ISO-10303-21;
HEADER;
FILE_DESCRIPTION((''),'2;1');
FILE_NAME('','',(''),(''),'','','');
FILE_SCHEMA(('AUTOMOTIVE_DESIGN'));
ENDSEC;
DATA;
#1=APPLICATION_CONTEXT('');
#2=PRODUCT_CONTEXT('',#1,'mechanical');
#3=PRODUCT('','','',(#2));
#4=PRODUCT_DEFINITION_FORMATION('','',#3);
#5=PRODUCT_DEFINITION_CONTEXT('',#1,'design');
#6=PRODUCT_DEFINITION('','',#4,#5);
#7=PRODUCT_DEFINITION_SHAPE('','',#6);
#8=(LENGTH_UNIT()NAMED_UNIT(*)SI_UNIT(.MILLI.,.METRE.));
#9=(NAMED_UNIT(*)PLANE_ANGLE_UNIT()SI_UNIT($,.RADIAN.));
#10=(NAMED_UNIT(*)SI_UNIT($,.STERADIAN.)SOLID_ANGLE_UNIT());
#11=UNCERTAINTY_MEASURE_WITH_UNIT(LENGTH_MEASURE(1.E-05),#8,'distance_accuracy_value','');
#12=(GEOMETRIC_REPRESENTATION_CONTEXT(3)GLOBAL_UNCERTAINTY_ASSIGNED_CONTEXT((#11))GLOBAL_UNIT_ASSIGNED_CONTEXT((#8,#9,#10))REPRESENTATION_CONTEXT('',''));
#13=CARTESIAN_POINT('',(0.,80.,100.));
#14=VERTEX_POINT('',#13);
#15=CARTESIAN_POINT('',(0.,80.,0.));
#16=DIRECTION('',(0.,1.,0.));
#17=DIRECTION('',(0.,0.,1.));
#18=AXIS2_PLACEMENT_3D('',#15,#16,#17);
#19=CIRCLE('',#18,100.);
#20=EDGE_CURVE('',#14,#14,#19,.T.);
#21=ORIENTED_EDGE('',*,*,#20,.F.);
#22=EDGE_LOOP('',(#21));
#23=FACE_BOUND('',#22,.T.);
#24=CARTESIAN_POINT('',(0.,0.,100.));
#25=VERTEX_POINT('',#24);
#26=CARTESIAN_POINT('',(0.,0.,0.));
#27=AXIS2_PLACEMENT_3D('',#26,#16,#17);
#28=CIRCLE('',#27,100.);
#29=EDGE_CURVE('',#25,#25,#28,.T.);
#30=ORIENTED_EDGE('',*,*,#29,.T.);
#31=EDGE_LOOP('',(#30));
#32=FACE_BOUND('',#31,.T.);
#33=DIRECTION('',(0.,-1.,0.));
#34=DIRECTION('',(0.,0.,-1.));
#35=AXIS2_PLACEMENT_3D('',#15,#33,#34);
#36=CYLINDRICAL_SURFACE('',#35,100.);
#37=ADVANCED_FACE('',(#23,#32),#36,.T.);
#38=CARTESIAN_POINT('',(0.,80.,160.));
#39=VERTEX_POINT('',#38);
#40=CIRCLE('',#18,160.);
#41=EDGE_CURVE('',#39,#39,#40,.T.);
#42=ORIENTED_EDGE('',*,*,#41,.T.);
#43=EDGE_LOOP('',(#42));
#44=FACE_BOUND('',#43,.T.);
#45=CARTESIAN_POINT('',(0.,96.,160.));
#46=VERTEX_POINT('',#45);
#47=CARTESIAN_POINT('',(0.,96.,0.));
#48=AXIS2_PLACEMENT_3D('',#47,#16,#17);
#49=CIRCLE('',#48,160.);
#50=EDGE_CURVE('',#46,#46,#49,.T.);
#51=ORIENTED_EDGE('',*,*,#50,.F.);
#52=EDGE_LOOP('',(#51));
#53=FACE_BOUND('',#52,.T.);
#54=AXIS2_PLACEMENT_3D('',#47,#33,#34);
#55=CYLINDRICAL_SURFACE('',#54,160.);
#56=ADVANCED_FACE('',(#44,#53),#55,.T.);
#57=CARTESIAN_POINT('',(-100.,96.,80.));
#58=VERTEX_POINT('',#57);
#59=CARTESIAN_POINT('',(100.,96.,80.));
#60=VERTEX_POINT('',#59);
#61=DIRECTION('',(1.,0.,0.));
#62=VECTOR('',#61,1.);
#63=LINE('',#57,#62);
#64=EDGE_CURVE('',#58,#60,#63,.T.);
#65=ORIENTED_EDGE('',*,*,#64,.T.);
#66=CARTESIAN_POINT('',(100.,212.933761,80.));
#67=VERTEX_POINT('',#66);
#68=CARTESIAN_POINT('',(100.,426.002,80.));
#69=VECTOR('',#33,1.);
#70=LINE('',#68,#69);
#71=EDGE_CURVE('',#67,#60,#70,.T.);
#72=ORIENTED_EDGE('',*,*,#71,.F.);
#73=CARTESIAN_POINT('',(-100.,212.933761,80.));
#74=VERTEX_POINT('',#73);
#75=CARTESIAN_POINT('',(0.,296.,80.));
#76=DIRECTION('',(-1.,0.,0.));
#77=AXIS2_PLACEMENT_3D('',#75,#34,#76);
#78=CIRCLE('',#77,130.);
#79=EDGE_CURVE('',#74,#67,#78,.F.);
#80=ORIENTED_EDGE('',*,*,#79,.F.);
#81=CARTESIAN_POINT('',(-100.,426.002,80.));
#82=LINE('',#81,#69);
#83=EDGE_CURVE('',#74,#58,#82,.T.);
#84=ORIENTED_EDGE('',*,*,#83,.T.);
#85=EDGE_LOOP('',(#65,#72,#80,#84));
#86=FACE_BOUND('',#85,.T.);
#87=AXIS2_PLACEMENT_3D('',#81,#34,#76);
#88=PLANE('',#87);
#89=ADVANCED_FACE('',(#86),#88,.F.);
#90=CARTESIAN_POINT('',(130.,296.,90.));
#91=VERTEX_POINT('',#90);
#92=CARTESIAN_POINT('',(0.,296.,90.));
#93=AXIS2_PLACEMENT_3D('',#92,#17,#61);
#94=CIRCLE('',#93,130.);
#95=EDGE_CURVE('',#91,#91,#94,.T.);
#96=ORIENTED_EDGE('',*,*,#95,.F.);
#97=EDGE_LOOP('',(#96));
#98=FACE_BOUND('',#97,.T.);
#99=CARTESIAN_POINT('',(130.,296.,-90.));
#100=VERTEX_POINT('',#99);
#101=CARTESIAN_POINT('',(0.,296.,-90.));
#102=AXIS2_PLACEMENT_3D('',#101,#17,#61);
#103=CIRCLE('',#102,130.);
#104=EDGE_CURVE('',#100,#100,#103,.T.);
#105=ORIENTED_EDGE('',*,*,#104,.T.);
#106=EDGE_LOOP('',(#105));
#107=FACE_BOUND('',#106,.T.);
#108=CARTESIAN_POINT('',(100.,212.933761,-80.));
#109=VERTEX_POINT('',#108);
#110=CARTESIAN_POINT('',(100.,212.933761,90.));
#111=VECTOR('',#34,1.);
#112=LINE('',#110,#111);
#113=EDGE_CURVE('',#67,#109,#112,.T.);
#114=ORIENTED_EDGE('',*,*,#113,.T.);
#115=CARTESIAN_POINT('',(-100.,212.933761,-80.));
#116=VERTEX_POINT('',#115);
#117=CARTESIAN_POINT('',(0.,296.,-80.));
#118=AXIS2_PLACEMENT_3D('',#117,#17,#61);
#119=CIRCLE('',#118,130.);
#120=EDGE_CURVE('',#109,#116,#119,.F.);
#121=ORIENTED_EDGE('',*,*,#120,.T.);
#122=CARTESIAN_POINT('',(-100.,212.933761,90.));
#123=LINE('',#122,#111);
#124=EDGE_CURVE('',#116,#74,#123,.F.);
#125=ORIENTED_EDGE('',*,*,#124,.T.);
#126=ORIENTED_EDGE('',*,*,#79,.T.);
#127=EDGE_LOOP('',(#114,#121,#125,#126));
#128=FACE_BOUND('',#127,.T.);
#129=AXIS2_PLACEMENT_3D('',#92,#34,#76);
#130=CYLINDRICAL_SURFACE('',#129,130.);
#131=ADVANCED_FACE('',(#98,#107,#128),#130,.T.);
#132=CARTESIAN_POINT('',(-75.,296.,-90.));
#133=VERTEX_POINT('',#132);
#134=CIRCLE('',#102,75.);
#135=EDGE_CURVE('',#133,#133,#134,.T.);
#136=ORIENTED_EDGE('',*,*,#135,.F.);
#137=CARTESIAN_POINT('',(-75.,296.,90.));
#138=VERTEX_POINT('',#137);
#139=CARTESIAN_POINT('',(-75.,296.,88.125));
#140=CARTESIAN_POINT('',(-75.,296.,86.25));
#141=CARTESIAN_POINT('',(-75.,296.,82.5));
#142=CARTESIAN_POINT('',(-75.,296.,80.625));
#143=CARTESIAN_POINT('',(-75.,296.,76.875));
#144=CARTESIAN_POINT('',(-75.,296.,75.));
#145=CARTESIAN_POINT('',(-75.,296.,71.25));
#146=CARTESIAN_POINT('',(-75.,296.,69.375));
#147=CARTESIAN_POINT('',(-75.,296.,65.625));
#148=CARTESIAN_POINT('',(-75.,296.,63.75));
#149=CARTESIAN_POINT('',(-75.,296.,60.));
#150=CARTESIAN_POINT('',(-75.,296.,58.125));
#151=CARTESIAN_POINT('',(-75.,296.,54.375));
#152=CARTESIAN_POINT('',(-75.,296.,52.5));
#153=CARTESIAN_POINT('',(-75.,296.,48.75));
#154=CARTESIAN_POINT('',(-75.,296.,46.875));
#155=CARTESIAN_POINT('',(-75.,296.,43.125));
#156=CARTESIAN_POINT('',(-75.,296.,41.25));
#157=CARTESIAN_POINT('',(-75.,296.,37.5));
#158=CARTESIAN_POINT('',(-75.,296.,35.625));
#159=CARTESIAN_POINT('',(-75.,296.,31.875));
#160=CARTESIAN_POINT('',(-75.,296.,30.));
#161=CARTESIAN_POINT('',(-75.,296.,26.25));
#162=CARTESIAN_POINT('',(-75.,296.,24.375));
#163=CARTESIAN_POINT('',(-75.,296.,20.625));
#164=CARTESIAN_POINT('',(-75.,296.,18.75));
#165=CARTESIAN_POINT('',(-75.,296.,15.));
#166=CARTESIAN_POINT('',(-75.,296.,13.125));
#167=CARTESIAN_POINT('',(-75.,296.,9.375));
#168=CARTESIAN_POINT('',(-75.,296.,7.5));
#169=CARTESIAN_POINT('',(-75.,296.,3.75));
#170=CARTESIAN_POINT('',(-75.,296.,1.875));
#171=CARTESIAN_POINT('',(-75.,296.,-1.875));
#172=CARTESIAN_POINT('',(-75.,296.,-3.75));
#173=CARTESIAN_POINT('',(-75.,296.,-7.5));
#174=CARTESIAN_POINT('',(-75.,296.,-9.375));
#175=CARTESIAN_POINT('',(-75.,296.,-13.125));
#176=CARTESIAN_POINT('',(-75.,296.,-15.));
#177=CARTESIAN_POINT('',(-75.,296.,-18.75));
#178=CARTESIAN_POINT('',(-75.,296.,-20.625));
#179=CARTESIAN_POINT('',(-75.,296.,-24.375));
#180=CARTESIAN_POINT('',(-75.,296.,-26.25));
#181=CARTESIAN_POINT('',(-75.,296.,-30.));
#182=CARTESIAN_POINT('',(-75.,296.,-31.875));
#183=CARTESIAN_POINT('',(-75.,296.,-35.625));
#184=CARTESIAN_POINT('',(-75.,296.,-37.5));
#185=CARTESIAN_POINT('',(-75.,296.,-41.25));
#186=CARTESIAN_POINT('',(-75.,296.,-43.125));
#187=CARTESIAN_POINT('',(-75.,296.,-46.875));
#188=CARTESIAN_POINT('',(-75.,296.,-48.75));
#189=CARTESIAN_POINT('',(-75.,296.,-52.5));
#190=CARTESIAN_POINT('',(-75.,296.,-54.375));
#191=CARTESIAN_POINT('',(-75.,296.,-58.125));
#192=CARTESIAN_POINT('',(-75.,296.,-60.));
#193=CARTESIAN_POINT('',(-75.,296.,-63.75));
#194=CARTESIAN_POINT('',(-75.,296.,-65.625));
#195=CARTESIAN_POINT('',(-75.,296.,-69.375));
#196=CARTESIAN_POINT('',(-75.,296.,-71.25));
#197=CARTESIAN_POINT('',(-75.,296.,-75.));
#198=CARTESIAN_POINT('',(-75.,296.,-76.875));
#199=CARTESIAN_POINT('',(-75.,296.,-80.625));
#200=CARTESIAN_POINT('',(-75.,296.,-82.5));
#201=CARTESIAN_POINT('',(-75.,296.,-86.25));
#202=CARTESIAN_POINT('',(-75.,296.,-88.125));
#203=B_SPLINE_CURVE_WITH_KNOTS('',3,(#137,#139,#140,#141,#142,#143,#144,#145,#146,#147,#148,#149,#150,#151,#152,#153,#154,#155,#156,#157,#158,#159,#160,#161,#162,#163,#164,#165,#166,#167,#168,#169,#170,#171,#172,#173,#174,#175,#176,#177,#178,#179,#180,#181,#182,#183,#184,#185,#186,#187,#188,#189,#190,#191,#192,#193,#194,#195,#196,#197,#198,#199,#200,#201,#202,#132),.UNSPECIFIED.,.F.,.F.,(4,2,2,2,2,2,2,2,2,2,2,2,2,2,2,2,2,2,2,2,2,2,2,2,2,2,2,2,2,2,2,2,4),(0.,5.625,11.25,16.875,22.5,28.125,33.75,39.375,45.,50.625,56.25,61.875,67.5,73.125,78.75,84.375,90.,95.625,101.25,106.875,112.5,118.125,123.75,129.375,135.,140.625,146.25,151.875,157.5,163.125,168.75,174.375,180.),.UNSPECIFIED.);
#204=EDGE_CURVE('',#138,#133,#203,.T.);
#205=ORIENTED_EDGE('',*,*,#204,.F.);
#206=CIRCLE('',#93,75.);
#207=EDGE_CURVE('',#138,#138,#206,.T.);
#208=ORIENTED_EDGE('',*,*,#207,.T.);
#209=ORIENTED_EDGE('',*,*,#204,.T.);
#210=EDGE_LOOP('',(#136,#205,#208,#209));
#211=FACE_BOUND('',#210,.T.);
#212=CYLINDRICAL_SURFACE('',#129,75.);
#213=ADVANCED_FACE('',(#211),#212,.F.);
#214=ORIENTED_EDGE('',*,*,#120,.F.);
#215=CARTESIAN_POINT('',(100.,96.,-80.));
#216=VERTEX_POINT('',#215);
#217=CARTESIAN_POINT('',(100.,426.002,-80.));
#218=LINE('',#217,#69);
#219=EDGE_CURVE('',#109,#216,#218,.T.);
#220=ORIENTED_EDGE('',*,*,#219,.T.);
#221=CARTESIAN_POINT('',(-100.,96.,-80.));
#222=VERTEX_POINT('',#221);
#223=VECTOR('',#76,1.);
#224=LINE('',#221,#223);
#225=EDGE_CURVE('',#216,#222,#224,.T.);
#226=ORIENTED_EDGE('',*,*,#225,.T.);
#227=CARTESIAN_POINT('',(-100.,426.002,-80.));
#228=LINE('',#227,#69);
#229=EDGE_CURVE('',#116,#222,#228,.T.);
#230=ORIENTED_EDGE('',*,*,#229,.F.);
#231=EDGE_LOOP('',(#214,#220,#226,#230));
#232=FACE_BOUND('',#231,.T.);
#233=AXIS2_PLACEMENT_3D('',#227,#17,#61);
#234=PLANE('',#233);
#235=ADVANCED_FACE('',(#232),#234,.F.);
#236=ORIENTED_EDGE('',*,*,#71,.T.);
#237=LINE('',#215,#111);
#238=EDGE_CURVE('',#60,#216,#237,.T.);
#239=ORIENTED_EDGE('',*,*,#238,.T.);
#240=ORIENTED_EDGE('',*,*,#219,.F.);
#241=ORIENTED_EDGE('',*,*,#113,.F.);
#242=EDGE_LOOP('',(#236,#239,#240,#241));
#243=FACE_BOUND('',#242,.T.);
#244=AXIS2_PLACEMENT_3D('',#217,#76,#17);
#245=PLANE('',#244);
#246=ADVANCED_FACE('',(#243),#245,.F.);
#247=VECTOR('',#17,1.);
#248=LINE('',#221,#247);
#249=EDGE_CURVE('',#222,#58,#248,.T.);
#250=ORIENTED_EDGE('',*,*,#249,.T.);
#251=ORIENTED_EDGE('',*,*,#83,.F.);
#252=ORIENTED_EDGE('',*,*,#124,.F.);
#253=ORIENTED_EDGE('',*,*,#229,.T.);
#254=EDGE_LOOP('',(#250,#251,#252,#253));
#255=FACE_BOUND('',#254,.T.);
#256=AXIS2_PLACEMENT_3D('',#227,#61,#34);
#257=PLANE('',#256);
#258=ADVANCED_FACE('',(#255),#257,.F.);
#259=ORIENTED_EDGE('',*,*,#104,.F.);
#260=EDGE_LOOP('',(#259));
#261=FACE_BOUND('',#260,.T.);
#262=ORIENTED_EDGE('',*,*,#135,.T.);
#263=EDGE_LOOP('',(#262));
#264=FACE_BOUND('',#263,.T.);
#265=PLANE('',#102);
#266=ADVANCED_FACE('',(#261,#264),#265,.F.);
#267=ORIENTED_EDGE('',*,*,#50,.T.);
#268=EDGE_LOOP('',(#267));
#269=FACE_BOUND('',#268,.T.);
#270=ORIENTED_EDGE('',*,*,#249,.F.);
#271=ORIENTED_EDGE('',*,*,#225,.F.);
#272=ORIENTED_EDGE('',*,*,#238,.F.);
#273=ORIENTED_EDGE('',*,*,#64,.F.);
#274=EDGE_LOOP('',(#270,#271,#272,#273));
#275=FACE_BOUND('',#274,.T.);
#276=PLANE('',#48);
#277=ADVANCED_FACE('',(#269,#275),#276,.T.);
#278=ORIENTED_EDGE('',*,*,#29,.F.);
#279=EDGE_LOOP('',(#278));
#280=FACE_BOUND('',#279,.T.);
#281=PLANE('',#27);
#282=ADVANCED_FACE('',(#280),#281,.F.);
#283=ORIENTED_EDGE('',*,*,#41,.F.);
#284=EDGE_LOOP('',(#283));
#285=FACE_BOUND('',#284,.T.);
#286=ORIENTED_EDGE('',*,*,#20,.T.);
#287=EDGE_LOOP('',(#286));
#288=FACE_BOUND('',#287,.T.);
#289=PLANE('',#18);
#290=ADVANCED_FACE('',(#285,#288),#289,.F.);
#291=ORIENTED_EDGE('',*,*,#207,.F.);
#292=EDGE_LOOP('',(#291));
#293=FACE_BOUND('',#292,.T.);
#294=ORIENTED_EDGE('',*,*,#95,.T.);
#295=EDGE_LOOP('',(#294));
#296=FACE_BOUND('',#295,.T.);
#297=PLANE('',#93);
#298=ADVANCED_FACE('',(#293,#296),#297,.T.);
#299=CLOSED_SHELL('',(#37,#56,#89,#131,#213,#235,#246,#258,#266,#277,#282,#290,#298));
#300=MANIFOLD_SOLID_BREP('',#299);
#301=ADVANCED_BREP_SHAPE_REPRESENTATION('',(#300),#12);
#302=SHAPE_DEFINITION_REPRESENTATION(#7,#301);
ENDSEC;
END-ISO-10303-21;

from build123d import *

# Parameters (mm, degrees)
SKETCH1_R                = 100
BOSS_EXTRUDE1_DEPTH      = 80
SKETCH2_R                = 160
BOSS_EXTRUDE2_DEPTH      = 16
SKETCH3_R                = 130
SKETCH3_R_2              = 75
BOSS_EXTRUDE3_DEPTH      = 90
BOSS_EXTRUDE4_REACH      = 402.125
BOSS_EXTRUDE4_END_RADIUS = 130
SKETCH6_W                = 200
SKETCH6_H                = 160


with BuildPart() as part:
    # Sketch1 → Boss-Extrude1 (new body)
    with BuildSketch(Plane(origin=(0, 0, 0), x_dir=(1, 0, 0), z_dir=(0, 1, 0))):
        with Locations(Location((0, 0, 0), (0, 0, 270))):
            Circle(SKETCH1_R)
    extrude(amount=BOSS_EXTRUDE1_DEPTH)

    # Sketch2 → Boss-Extrude2 (add)
    with BuildSketch(Plane(origin=(0, 80, 0), x_dir=(1, 0, 0), z_dir=(0, 1, 0))):
        with Locations(Location((0, 0, 0), (0, 0, 270))):
            Circle(SKETCH2_R)
    extrude(amount=BOSS_EXTRUDE2_DEPTH)



with BuildPart() as body_2:
    # Sketch3 → Boss-Extrude3 (new, symmetric)
    with BuildSketch(Plane.XY):
        with Locations(Location((0, 296, 0), (0, 0, 180))):
            Circle(SKETCH3_R)
        with Locations(Location((0, 296, 0), (0, 0, 180))):
            Circle(SKETCH3_R_2, mode=Mode.SUBTRACT)
    extrude(amount=BOSS_EXTRUDE3_DEPTH, both=True)


with BuildPart() as part_1:
    add(part.part)

    add(body_2.part)  # Boss-Extrude4 merges body 2
    # Boss-Extrude4: up to this cylinder (the profile starts outside it)
    boss_extrude4_end = Plane(origin=(0, 296, 0), z_dir=(0, 0, -1)) * Cylinder(BOSS_EXTRUDE4_END_RADIUS, 1065.25, mode=Mode.PRIVATE)
    # Sketch6 → Boss-Extrude4 (add, up to the surface)
    with BuildSketch(Plane(origin=(0, 96, 0), x_dir=(1, 0, 0), z_dir=(0, 1, 0)), mode=Mode.PRIVATE) as boss_extrude4_sk1:
        Rectangle(SKETCH6_W, SKETCH6_H)
    boss_extrude4_tool1 = extrude(boss_extrude4_sk1.sketch, amount=BOSS_EXTRUDE4_REACH, mode=Mode.PRIVATE) - boss_extrude4_end
    add(boss_extrude4_tool1.solids().sort_by_distance((0, 96, 0))[0])


solid = part_1.part
